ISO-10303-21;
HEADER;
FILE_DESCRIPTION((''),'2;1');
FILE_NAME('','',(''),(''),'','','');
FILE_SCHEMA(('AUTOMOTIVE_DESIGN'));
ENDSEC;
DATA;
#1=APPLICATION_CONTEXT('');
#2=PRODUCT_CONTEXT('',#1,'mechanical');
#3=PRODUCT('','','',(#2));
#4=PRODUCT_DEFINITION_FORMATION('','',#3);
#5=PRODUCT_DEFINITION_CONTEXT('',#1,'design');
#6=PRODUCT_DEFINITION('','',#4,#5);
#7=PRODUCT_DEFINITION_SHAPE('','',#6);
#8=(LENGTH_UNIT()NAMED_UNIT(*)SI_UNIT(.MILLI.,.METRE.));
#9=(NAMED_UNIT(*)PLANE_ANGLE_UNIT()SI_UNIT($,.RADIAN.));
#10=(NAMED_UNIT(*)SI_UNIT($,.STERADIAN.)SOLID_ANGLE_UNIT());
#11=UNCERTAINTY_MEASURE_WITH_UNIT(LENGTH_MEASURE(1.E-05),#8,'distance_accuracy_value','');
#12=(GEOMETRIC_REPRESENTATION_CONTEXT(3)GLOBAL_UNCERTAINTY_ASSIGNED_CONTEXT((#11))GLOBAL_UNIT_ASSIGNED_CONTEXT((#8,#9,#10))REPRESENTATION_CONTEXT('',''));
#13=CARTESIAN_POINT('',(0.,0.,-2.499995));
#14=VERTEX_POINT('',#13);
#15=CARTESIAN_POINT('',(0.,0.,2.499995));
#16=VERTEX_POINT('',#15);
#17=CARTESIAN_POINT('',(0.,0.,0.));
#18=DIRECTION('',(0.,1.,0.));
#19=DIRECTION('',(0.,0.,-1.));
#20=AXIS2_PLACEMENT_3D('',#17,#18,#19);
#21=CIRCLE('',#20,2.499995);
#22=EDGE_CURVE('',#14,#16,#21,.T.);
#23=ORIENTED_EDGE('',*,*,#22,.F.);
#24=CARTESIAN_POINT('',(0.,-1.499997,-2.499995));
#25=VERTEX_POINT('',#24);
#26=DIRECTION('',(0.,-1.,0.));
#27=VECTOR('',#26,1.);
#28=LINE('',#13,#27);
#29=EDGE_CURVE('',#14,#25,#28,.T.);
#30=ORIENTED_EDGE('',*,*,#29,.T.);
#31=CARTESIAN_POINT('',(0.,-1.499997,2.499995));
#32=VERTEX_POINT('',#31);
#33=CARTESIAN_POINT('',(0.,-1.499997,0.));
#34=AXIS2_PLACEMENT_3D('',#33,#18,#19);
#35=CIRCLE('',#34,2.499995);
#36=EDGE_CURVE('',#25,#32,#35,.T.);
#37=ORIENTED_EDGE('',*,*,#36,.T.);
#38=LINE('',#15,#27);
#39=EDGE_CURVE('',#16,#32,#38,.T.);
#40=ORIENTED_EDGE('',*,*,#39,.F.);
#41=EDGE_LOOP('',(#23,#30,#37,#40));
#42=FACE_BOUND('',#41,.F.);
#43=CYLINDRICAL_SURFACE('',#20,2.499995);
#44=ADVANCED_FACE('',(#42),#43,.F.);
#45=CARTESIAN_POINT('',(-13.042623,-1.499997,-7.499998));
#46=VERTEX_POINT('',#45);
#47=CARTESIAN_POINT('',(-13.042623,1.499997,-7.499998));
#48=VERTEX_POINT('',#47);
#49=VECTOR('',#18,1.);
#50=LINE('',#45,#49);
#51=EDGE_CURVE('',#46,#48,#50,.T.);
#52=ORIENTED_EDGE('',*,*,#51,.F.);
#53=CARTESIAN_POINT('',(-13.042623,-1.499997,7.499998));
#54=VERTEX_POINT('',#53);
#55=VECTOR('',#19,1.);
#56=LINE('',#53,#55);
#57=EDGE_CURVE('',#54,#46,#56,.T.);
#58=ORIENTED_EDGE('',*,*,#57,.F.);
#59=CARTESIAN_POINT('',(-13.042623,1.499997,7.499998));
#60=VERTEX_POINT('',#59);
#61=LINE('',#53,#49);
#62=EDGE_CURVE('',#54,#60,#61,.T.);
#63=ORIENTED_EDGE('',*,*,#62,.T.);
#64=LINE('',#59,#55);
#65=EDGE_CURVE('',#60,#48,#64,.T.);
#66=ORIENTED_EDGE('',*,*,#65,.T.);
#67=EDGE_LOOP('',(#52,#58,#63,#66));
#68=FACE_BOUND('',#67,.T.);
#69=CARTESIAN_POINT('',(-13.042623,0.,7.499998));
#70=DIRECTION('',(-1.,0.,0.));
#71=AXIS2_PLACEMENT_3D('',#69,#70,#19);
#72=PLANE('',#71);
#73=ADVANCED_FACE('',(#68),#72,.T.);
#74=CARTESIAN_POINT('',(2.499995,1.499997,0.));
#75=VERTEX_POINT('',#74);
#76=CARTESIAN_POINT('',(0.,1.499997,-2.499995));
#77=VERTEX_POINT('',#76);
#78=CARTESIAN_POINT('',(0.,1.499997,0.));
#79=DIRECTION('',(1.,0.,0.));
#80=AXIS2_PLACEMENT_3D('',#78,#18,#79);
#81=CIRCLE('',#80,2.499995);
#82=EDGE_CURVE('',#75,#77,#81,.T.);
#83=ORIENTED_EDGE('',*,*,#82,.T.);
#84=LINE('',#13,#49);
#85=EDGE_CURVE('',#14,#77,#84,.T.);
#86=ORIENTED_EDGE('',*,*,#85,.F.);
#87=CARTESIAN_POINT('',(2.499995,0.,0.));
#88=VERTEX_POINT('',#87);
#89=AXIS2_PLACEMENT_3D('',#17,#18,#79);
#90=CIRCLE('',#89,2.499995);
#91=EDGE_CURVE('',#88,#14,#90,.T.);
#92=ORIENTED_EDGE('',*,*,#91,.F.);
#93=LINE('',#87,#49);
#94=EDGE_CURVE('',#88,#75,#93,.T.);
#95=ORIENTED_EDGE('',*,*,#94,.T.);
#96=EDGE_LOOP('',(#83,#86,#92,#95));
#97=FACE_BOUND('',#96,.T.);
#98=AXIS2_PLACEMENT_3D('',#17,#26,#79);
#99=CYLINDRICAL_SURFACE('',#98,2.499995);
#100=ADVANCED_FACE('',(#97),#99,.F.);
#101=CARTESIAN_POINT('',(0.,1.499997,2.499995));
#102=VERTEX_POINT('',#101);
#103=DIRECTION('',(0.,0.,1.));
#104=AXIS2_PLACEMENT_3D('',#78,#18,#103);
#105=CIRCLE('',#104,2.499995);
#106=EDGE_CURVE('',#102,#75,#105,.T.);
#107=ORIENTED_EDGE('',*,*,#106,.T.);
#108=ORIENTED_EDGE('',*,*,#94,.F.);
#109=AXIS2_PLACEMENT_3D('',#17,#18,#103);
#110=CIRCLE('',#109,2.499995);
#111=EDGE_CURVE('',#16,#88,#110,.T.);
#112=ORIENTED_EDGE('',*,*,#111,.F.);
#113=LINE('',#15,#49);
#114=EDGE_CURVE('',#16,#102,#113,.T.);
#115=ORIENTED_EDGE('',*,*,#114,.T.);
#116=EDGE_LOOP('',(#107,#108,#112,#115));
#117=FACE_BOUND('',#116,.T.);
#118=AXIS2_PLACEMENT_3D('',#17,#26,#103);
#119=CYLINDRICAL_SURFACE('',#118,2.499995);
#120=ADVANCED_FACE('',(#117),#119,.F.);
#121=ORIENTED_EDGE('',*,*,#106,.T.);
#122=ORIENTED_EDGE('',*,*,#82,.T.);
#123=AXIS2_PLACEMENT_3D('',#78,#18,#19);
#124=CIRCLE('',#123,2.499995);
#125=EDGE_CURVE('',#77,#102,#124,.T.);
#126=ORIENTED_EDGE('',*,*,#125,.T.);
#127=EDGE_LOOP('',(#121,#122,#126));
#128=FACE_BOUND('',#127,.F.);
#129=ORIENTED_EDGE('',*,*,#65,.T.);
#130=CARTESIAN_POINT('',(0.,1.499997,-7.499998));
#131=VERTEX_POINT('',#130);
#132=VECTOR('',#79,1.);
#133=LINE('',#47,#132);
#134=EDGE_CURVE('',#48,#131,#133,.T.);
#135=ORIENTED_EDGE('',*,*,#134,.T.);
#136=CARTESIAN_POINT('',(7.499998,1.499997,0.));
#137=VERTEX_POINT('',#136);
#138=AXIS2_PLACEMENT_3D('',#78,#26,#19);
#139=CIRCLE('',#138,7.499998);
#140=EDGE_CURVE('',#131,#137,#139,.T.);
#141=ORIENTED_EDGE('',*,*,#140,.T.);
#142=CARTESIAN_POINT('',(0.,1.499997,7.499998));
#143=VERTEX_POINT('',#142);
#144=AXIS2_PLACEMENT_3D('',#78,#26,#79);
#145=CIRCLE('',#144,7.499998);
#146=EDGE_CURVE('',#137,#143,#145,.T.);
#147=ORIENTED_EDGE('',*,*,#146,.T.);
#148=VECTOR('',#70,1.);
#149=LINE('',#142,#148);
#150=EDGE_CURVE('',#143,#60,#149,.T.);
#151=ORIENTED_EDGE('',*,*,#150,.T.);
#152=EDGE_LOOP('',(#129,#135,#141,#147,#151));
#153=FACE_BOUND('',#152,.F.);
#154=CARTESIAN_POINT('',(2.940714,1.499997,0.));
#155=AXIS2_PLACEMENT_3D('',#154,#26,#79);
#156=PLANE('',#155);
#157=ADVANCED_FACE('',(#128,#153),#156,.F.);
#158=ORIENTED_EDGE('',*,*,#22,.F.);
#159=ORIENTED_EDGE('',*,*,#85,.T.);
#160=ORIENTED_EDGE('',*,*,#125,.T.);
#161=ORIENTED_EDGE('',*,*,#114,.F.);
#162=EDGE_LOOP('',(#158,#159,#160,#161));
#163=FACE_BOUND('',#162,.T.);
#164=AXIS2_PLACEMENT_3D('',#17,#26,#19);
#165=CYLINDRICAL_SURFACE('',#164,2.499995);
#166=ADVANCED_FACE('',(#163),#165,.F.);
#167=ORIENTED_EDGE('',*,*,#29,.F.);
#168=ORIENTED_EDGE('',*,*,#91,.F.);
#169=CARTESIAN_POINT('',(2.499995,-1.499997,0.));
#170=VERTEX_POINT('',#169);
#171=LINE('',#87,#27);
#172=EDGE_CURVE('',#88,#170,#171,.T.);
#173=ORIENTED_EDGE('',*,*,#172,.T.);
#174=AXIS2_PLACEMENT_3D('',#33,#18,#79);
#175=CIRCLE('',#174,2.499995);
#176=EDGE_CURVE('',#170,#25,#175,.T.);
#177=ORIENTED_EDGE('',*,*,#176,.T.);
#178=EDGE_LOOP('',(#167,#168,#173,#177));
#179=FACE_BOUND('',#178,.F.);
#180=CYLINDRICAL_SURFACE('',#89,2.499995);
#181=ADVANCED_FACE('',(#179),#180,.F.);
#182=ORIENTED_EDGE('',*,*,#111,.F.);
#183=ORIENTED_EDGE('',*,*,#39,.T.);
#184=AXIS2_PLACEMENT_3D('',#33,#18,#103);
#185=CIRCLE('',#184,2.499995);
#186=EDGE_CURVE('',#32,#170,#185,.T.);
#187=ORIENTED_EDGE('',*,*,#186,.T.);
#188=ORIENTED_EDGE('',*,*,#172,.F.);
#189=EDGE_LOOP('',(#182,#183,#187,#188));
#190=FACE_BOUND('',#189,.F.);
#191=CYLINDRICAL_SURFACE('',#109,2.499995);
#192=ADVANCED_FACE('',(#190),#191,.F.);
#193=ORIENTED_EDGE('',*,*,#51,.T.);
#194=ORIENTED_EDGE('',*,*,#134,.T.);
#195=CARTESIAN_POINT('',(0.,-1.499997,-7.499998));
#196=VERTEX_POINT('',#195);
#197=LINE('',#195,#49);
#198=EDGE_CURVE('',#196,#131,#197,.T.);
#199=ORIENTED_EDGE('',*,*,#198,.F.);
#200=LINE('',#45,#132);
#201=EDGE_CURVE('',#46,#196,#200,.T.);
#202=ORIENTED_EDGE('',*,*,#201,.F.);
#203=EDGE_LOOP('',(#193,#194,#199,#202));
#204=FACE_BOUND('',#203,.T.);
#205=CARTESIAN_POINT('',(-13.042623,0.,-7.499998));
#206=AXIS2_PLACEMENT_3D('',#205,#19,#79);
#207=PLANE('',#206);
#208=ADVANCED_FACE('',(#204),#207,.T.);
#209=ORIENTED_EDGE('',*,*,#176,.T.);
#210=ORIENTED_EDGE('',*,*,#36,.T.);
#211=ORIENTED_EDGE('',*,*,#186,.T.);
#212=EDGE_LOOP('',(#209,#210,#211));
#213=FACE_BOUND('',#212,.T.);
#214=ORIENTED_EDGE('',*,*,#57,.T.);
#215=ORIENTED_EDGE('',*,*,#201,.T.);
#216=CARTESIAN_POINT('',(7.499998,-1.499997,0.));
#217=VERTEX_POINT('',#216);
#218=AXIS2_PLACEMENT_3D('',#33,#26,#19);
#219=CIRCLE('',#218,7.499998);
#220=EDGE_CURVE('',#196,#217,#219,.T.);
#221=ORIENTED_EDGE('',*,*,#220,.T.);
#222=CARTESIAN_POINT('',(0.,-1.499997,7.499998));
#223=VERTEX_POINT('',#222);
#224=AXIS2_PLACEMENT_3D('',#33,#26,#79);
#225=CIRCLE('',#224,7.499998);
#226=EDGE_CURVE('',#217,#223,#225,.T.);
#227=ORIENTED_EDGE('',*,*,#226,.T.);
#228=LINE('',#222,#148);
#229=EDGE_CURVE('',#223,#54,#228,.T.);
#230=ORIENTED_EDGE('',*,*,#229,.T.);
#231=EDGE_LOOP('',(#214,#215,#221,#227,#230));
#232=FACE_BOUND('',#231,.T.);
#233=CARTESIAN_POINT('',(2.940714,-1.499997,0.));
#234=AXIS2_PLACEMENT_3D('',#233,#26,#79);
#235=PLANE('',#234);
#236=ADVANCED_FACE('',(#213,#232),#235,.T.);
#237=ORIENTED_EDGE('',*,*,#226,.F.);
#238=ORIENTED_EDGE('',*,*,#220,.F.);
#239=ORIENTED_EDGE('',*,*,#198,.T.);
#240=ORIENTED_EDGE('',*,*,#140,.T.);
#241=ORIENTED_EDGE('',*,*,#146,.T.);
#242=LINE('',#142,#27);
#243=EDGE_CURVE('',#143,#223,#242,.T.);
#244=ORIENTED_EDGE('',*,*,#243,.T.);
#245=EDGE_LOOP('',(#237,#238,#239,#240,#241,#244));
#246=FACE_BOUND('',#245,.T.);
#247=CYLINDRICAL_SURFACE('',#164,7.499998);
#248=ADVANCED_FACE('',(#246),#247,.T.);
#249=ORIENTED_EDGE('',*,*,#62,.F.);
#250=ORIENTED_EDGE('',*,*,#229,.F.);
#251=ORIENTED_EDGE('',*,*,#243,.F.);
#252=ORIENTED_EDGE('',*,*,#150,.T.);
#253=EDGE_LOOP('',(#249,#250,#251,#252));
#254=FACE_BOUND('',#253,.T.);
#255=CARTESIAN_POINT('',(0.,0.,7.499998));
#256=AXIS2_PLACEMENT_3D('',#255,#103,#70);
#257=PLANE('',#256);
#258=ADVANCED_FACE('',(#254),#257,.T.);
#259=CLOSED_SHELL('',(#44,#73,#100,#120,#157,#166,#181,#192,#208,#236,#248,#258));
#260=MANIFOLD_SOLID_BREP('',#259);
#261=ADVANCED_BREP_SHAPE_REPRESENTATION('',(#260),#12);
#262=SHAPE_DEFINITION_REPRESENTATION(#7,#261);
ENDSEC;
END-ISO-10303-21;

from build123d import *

# Parameters (mm, degrees)
F1_DEPTH = 1.499997


with BuildPart() as f1:
    # F0 (on Front) → F1 (new body, symmetric)
    with BuildSketch(Plane.XZ):
        with BuildLine():
            ThreePointArc((0, -7.4999977), (5.3032992326, -5.3032992326), (7.4999977, 0))
            ThreePointArc((7.4999977, 0), (5.3032992326, 5.3032992326), (0, 7.4999977))
            Line((0, 7.4999977), (0, 2.499995))
            ThreePointArc((0, 2.499995), (1.7677634174, 1.7677634174), (2.499995, 0))
            ThreePointArc((2.499995, 0), (1.7677634174, -1.7677634174), (0, -2.499995))
            Line((0, -2.499995), (0, -7.4999977))
        make_face()
        with BuildLine():
            Line((0, 2.499995), (0, 7.4999977))
            ThreePointArc((0, 7.4999977), (-5.3032992326, 5.3032992326), (-7.4999977, 0))
            ThreePointArc((-7.4999977, 0), (-5.3032992326, -5.3032992326), (0, -7.4999977))
            Line((0, -7.4999977), (0, -2.499995))
            ThreePointArc((0, -2.499995), (-2.499995, 0), (0, 2.499995))
        make_face()
        with BuildLine():
            ThreePointArc((-7.4999977, 0), (-5.3032992326, 5.3032992326), (0, 7.4999977))
            Line((0, 7.4999977), (-7.4999977, 7.4999977))
            Line((-7.4999977, 7.4999977), (-7.4999977, 0))
        make_face()
        with BuildLine():
            Line((-7.4999977, -7.4999977), (0, -7.4999977))
            ThreePointArc((0, -7.4999977), (-5.3032992326, -5.3032992326), (-7.4999977, 0))
            Line((-7.4999977, 0), (-7.4999977, -7.4999977))
        make_face()
        Polygon((-7.4999977, -7.4999977), (-7.4999977, 0), (-7.4999977, 7.4999977), (-13.0426231772, 7.4999977), (-13.0426231772, -7.4999977), align=None)
    extrude(amount=F1_DEPTH, both=True)


solid = f1.part
